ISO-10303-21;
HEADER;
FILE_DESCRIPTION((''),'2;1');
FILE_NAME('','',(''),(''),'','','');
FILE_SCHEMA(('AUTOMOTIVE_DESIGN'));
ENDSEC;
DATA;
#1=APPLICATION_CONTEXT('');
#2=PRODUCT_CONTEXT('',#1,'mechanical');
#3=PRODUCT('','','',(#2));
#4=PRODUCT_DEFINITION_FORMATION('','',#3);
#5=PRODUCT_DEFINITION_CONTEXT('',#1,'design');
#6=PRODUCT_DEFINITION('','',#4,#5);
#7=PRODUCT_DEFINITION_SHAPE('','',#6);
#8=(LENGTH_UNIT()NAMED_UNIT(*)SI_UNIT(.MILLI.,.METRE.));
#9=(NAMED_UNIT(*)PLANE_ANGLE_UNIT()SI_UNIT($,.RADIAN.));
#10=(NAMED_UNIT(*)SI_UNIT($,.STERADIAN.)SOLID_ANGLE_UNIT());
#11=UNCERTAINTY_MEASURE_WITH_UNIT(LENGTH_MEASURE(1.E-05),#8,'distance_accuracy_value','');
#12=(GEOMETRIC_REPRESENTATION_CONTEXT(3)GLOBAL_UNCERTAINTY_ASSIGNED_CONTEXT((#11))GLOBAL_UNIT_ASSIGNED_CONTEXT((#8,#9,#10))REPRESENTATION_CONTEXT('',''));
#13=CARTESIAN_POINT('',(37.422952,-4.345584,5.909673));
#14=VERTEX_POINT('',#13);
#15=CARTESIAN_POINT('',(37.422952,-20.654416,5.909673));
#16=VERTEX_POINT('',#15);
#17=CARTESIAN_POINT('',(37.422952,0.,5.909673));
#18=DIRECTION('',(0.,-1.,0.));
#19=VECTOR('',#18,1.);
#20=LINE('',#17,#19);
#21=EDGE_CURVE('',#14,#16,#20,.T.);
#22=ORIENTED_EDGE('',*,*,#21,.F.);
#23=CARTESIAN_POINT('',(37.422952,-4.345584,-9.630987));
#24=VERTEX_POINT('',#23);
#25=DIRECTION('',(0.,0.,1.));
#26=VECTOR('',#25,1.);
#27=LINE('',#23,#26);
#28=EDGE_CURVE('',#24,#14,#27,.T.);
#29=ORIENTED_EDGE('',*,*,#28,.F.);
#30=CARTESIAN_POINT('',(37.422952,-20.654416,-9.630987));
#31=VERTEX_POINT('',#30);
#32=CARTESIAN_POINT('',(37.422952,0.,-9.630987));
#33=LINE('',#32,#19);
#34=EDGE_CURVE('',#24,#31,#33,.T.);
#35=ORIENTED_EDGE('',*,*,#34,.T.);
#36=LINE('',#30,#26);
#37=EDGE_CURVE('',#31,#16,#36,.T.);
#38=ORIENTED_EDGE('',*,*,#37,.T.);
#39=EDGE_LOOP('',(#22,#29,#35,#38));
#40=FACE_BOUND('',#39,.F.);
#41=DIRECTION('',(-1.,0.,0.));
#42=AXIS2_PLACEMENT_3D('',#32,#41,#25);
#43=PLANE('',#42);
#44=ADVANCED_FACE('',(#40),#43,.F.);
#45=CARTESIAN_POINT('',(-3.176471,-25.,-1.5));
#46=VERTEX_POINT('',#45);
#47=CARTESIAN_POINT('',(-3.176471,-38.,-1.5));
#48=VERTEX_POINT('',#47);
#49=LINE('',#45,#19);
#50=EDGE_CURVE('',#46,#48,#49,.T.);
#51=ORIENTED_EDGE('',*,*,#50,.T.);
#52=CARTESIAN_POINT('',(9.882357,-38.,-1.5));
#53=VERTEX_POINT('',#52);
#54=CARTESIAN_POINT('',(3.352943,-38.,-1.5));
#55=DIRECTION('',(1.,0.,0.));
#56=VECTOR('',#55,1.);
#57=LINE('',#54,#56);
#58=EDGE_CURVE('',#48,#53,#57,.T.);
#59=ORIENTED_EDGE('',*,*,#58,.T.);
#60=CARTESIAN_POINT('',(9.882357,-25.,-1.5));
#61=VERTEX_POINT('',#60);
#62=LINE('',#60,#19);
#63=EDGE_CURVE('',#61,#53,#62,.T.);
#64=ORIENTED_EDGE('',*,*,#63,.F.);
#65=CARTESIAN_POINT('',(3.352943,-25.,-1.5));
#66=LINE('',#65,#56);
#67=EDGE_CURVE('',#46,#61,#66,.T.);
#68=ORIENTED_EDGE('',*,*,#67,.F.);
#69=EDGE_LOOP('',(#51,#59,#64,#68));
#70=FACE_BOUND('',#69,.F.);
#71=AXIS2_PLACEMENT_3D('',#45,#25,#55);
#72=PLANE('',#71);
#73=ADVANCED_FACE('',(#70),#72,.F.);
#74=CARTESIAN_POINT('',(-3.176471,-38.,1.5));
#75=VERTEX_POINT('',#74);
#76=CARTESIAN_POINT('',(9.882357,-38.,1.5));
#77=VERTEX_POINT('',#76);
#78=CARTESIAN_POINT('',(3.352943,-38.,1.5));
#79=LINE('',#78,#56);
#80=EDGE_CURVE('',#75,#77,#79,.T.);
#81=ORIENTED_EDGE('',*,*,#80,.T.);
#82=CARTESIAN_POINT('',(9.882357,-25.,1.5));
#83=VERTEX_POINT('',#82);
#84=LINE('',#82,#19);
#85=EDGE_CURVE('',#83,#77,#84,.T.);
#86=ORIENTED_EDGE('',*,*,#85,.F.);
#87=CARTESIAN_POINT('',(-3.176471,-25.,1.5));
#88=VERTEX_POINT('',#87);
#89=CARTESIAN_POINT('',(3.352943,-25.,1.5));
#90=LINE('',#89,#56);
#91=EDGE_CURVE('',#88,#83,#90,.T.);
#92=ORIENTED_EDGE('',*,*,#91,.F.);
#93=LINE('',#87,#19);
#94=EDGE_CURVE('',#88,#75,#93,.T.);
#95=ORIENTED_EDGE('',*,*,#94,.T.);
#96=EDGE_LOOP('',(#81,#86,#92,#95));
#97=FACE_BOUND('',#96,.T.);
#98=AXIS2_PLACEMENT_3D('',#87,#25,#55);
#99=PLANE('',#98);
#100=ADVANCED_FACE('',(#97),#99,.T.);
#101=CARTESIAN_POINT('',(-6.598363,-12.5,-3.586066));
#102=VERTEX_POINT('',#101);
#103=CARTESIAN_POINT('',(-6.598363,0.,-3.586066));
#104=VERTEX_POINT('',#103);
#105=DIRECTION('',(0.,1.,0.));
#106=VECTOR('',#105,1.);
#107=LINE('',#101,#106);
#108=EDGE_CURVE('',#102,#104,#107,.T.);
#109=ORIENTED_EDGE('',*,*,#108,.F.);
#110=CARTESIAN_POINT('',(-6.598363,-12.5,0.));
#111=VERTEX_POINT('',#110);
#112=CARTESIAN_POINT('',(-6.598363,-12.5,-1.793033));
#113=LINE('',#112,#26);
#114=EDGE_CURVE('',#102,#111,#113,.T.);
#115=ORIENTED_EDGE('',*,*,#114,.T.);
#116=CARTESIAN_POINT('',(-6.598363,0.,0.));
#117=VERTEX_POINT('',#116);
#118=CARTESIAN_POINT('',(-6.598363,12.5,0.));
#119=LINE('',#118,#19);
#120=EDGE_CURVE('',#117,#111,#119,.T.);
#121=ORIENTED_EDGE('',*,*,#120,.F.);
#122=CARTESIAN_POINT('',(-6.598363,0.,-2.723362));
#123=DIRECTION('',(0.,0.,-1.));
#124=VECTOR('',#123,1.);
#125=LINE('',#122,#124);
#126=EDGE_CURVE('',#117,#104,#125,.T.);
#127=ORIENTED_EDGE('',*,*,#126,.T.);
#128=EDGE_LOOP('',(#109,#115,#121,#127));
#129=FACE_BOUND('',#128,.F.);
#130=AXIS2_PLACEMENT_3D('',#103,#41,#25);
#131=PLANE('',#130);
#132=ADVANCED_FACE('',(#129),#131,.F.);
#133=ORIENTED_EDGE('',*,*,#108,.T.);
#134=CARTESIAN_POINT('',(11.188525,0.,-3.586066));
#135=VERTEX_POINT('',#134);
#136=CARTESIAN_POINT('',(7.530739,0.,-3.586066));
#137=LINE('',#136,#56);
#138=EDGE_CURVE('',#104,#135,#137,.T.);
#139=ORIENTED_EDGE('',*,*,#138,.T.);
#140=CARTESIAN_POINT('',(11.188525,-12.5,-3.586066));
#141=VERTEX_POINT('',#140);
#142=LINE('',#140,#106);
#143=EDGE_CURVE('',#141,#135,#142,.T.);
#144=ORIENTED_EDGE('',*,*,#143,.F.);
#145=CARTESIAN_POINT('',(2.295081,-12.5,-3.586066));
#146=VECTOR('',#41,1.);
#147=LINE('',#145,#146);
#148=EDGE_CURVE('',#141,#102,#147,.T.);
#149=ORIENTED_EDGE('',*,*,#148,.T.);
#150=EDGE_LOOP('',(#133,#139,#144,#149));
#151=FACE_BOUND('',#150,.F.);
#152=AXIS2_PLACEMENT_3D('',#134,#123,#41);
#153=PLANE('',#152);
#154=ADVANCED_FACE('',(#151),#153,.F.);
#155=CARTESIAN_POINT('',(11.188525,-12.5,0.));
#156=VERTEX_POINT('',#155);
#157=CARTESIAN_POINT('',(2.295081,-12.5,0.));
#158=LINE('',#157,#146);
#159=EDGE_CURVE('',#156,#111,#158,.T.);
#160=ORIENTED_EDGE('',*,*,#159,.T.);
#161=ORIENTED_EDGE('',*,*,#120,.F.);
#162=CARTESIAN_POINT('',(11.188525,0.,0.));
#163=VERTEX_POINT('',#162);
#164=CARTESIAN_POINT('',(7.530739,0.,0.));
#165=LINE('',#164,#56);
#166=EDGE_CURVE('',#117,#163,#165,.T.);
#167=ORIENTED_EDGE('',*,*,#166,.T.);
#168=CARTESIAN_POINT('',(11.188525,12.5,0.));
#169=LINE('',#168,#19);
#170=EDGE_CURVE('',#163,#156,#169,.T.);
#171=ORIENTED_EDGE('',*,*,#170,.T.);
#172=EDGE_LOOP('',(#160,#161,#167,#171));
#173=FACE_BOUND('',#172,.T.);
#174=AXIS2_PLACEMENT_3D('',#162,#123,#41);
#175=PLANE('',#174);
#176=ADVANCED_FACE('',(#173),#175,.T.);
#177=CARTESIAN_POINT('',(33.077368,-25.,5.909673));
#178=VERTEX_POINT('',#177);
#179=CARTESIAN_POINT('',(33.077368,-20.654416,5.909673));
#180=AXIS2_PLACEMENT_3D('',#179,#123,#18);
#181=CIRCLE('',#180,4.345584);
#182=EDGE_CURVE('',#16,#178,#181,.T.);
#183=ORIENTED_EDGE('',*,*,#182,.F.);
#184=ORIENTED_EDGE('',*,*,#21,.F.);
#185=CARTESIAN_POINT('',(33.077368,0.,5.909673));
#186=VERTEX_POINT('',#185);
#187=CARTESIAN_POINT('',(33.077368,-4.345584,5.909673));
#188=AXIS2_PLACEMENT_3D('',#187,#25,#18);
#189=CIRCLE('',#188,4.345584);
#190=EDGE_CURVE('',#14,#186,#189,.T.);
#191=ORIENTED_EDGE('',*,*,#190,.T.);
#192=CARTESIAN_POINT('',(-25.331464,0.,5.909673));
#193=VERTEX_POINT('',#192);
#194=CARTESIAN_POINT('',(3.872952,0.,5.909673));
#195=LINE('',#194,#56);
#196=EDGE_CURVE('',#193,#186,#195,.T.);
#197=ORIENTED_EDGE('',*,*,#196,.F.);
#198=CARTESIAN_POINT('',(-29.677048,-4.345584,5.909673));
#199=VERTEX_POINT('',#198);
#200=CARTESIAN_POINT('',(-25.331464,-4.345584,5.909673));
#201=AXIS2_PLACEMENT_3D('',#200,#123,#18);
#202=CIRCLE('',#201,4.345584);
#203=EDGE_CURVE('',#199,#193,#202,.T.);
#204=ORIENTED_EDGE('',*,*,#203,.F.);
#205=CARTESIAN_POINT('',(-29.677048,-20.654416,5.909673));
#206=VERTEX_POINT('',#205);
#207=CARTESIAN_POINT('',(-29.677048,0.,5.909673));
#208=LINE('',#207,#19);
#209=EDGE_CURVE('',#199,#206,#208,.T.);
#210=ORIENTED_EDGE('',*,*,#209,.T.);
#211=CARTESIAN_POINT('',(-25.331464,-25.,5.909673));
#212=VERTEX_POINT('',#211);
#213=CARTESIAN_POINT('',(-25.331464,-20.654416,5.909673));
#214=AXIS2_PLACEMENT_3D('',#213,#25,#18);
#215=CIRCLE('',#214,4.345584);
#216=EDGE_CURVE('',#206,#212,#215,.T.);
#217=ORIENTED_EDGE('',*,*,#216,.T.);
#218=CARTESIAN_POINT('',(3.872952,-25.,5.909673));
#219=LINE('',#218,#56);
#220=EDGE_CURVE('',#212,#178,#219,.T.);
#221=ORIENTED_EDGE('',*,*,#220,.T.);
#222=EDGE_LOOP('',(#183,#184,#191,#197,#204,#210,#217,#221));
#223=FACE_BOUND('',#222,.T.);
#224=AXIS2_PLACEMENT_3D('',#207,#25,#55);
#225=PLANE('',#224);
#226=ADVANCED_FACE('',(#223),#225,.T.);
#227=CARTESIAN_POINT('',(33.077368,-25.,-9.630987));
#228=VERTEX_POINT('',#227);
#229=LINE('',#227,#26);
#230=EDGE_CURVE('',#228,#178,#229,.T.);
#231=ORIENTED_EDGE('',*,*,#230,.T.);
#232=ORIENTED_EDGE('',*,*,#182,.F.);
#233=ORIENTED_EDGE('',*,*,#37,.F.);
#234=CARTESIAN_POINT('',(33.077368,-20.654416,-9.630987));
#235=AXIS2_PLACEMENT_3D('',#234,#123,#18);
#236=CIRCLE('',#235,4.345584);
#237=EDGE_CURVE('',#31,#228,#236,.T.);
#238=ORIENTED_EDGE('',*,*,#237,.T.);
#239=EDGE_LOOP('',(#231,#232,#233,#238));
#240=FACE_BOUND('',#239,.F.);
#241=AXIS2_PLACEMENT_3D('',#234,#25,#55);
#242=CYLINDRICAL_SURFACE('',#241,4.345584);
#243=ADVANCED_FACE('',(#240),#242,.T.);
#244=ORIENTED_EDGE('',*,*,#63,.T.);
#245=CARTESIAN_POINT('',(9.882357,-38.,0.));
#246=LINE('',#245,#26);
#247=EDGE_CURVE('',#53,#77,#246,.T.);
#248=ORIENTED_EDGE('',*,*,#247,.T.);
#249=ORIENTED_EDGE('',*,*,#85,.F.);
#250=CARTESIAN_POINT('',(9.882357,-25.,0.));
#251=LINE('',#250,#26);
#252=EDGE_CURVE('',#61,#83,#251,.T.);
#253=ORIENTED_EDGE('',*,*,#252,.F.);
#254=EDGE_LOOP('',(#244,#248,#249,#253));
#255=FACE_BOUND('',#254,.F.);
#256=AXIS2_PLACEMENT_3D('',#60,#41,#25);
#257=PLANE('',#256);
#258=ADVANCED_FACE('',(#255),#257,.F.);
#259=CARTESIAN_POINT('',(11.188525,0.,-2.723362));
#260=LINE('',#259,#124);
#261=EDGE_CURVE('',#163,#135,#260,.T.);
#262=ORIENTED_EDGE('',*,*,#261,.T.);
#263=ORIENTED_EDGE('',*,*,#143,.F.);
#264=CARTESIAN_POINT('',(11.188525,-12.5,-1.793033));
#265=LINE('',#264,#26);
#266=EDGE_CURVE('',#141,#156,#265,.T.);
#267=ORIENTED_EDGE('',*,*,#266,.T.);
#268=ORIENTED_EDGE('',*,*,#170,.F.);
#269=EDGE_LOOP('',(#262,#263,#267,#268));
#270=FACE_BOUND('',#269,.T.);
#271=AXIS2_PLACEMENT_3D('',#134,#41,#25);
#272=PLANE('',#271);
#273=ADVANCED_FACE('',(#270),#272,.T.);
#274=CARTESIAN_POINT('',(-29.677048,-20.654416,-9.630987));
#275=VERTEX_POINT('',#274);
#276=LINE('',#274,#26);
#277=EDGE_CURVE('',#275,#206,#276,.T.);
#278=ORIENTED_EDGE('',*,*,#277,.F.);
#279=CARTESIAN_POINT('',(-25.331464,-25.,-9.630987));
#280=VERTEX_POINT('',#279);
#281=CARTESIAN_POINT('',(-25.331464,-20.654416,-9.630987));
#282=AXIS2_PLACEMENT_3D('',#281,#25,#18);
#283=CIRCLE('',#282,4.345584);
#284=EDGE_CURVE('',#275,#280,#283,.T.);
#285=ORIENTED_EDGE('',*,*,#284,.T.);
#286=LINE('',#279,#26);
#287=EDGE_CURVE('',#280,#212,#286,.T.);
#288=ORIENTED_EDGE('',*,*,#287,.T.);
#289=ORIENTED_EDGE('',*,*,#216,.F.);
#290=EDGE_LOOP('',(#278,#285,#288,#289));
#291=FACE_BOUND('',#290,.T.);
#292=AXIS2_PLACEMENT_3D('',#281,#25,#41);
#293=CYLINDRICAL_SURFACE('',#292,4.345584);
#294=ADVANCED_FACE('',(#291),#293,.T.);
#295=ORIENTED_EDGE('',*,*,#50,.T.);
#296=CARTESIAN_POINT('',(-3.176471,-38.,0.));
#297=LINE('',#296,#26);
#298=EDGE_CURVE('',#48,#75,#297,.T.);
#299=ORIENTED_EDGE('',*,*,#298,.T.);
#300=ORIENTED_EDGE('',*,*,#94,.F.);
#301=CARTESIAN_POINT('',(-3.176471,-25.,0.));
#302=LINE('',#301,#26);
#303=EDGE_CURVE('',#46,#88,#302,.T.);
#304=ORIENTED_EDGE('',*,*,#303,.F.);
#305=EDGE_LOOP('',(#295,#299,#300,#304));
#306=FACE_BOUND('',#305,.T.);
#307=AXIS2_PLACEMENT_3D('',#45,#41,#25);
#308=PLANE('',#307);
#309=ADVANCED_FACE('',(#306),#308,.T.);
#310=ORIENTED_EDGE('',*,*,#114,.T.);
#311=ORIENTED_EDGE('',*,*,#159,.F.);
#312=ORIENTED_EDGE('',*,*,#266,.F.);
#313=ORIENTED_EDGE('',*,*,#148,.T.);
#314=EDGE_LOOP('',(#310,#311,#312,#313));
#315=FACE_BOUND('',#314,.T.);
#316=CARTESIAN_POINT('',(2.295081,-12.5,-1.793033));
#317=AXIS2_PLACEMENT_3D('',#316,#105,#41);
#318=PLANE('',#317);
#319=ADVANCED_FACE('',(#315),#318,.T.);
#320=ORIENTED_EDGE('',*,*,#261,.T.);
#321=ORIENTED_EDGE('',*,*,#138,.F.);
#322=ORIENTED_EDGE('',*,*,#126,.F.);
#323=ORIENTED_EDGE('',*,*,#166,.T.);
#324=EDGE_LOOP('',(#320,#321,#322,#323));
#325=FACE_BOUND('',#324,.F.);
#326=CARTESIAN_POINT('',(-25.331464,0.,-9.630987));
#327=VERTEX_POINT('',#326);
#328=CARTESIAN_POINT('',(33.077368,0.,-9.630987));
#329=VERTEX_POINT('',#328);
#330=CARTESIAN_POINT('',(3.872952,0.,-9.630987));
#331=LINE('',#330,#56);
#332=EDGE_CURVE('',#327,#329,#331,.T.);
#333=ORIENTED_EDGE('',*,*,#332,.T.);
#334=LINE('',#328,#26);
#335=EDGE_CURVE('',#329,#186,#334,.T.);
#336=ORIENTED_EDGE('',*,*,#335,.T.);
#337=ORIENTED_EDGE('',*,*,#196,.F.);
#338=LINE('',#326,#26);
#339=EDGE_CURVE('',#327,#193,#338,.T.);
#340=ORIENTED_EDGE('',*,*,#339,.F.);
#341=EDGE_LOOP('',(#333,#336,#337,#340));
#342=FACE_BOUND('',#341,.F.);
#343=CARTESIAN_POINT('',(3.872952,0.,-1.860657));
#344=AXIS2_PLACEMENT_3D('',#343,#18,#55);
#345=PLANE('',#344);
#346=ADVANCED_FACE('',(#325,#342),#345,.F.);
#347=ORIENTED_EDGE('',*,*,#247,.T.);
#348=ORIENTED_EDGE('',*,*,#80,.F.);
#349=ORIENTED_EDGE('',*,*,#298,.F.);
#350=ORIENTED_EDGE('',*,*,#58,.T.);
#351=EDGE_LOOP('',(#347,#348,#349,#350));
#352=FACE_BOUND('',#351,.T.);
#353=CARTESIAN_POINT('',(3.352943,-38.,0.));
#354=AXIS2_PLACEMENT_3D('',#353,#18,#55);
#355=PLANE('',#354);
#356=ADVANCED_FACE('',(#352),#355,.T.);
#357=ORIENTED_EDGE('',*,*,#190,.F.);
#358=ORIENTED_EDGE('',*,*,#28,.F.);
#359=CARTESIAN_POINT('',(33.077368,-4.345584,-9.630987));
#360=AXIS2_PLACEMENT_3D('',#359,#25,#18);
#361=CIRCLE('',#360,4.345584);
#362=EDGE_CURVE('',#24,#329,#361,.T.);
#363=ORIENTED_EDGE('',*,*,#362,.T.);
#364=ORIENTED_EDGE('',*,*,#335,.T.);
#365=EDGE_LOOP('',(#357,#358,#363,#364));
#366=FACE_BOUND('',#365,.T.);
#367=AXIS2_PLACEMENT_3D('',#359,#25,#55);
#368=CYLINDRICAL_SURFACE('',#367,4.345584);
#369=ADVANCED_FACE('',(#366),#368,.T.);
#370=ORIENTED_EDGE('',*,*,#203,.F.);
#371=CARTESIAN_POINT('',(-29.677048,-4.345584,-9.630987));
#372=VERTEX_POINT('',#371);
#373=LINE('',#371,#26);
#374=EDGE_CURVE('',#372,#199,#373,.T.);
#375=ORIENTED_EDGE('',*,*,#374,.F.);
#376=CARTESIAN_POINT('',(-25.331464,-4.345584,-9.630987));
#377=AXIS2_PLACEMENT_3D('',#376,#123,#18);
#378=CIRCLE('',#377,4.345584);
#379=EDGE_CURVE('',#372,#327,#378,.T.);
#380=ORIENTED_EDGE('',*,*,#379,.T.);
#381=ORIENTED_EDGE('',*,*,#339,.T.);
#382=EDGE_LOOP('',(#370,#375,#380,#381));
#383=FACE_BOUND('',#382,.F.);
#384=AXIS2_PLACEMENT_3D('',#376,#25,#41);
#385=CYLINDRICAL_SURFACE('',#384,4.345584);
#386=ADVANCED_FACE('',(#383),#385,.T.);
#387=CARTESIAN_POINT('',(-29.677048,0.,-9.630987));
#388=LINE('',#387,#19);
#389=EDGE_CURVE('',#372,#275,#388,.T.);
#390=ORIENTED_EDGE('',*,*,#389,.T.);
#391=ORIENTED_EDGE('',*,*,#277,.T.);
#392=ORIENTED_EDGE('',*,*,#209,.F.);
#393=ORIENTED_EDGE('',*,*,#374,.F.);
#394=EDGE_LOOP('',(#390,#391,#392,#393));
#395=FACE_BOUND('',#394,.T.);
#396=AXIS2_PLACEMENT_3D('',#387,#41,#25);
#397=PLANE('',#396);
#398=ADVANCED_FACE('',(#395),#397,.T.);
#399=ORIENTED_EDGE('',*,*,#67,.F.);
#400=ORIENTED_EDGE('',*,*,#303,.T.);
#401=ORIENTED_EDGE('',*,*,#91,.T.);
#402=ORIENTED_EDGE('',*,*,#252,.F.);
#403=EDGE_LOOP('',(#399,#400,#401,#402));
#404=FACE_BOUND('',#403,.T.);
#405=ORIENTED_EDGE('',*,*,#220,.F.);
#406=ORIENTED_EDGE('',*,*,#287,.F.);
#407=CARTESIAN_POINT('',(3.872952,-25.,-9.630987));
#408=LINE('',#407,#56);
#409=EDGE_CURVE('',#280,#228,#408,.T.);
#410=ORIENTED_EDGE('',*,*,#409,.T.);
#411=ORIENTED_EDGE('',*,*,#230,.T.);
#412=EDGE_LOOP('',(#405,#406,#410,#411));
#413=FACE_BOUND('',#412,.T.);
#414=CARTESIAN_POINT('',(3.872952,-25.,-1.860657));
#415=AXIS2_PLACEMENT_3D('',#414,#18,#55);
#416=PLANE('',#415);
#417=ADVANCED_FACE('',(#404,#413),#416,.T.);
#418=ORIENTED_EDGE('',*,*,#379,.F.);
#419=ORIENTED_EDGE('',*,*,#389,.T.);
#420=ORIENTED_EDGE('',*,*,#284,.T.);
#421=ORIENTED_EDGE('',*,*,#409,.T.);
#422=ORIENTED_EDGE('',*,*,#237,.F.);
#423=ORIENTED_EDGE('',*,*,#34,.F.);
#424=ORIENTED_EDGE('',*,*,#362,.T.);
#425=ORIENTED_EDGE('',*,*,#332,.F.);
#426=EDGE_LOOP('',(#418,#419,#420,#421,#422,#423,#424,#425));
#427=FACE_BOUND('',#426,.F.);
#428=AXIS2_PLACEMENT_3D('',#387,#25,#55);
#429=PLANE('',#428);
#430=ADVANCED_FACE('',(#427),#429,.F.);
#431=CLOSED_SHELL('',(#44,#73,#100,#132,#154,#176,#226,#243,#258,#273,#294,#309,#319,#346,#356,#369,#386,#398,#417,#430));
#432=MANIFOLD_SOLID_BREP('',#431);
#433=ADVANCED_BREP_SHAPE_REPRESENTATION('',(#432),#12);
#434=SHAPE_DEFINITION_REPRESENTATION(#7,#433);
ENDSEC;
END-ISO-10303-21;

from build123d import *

# Parameters (mm, degrees)
F0_W     = 67.1
F0_H     = 15.54066
F1_DEPTH = 25
F2_R     = 4.345584
F3_W     = 13.058827
F3_H     = 3
F4_DEPTH = 13
F5_W     = 17.786888
F5_H     = 3.586066
F6_DEPTH = 12.5


with BuildPart() as f1:
    # F0 (on Front) → F1 (new body)
    with BuildSketch(Plane.XZ):
        with Locations((3.872952, -1.860657)):
            Rectangle(F0_W, F0_H)
    extrude(amount=F1_DEPTH)

    # F2
    f2_edges = [f1.edges().sort_by_distance(p)[0] for p in [
        (37.422952, 0, -1.860657),
        (-29.677048, 0, -1.860657),
        (37.422952, -25, -1.860657),
        (-29.677048, -25, -1.860657),
    ]]
    fillet(f2_edges, radius=F2_R)

    # F3 (on face) → F4 (join)
    with BuildSketch(Plane.XZ.offset(25)):
        with Locations((3.352943, 0)):
            Rectangle(F3_W, F3_H)
    extrude(amount=F4_DEPTH)

    # F5 (on face) → F6 (cut, symmetric)
    with BuildSketch(Plane(origin=(0, 0, 0), x_dir=(-1, 0, 0), z_dir=(0, 1, 0))):
        with Locations((-2.295081, -1.793033)):
            Rectangle(F5_W, F5_H)
    extrude(amount=F6_DEPTH, both=True, mode=Mode.SUBTRACT)


solid = f1.part
